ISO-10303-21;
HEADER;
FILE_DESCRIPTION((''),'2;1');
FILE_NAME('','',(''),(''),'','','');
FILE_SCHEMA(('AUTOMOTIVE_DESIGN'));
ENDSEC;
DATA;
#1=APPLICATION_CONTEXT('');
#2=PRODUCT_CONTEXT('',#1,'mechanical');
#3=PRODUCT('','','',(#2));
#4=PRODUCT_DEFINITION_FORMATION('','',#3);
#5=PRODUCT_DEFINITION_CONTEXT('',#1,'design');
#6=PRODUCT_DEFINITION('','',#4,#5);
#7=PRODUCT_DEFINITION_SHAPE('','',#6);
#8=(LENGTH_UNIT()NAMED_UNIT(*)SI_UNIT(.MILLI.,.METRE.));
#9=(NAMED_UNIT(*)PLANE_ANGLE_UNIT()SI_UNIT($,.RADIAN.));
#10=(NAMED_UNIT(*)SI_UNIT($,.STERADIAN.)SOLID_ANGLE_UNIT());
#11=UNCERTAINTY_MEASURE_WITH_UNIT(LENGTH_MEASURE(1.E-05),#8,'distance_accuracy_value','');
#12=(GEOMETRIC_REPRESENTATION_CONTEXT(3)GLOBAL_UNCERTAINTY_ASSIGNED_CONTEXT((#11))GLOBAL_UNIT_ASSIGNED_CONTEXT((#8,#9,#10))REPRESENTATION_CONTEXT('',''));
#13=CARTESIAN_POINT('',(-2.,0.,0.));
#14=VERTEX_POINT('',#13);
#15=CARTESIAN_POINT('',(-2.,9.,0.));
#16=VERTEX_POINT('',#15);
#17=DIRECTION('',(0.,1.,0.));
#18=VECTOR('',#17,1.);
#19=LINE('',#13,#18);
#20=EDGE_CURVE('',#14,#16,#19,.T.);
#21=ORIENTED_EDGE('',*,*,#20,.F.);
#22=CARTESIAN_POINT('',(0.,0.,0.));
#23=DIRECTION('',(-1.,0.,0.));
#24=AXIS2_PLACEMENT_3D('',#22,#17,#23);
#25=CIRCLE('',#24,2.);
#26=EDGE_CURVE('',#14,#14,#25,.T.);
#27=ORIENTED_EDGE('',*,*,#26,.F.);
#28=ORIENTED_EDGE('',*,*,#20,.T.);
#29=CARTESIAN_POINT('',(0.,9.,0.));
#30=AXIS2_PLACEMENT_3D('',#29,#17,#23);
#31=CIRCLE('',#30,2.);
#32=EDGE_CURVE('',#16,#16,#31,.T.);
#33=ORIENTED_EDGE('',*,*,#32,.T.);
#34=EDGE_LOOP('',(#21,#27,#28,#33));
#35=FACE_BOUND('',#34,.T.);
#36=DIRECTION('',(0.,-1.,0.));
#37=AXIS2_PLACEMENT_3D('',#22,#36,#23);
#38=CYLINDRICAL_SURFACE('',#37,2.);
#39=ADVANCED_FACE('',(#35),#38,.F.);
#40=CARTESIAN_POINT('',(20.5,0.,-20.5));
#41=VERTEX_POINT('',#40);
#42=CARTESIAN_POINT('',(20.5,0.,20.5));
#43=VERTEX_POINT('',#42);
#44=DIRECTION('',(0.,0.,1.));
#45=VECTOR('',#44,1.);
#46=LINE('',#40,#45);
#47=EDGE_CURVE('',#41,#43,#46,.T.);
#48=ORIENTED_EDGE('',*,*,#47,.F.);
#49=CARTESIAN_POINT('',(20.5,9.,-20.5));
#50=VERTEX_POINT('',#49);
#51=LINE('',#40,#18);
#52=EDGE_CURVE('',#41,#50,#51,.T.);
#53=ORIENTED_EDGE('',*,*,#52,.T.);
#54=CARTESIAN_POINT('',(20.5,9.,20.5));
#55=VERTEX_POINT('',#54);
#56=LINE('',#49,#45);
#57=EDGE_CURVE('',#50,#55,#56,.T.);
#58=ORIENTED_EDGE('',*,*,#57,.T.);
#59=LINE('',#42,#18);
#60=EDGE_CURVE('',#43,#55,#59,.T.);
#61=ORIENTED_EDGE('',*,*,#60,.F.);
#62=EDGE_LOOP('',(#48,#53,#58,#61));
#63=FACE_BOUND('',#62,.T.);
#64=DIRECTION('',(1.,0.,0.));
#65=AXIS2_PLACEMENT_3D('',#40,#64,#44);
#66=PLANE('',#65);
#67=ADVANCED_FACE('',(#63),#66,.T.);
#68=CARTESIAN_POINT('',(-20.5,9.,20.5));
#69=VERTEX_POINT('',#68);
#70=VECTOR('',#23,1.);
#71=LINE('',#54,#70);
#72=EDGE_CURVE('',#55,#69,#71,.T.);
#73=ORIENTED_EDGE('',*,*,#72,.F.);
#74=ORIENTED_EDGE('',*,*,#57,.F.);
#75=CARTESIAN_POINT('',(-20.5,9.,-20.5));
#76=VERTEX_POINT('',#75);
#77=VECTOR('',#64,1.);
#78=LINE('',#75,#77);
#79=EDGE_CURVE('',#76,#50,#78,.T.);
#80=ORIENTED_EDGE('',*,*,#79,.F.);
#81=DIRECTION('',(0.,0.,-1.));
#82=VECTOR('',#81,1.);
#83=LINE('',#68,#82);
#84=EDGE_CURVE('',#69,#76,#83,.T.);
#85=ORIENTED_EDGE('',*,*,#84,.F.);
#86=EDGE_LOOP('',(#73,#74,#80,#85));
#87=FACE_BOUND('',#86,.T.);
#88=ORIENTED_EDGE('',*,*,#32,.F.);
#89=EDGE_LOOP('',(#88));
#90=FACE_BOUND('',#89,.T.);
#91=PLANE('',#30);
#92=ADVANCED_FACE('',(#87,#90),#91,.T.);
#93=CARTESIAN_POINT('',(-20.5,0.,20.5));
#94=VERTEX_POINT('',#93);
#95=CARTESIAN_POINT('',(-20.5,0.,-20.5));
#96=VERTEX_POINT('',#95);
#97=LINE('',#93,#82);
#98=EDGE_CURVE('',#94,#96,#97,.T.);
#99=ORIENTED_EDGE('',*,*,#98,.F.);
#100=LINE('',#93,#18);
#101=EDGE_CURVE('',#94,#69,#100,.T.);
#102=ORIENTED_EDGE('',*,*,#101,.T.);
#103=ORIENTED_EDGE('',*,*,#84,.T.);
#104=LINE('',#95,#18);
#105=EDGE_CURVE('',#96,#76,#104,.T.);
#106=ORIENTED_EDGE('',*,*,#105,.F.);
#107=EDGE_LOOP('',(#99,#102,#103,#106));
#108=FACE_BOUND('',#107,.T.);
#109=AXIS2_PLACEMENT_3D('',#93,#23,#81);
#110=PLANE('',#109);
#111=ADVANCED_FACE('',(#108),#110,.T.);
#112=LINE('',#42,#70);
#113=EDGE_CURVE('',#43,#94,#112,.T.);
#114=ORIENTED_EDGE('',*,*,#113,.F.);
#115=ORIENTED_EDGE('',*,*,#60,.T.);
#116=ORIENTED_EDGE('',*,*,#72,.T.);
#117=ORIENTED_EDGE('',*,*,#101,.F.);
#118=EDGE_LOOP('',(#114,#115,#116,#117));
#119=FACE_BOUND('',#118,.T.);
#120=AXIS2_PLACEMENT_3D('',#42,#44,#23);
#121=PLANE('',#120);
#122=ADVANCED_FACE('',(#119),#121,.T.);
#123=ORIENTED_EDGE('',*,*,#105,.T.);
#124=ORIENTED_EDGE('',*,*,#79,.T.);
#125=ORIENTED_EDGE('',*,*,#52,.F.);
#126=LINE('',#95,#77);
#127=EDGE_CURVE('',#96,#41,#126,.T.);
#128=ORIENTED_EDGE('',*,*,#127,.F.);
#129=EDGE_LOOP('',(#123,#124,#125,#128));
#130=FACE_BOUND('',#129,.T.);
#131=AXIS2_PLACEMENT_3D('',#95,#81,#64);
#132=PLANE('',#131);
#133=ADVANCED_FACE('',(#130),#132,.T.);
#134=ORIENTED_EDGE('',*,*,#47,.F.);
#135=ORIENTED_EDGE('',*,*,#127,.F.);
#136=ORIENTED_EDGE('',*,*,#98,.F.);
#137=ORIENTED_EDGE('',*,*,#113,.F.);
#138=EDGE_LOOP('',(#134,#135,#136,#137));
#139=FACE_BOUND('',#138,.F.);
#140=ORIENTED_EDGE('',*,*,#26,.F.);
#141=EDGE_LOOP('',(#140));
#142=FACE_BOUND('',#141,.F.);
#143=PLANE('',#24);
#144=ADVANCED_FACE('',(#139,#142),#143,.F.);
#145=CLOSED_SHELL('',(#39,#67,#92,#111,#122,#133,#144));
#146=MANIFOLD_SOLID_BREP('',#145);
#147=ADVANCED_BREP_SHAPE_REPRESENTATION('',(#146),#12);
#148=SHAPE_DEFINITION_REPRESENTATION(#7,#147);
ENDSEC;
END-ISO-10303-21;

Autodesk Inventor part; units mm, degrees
ref_plane "YZ Plane" through (0, 0, 0) normal (1, 0, 0) x (0, 1, 0)
ref_plane "XZ Plane" through (0, 0, 0) normal (0, 1, 0) x (-1, 0, 0)
ref_plane "XY Plane" through (0, 0, 0) normal (0, 0, 1) x (1, 0, 0)
sketch "Sketch1" plane through (0, 0, 0) normal (0, 1, 0) x (-1, 0, 0)
  line L0 (-20.5, 20.5) -> (20.5, 20.5)
  line L1 (20.5, 20.5) -> (20.5, -20.5)
  line L2 (20.5, -20.5) -> (-20.5, -20.5)
  line L3 (-20.5, -20.5) -> (-20.5, 20.5)
  line L4 (-20.5, 20.5) -> (20.5, -20.5) construction
  line L5 (20.5, 20.5) -> (-20.5, -20.5) construction
  circle A0 centre (0, 0) radius 2
  dimension "d0" = 41
  dimension "d1" = 4
extrude "Extrusion1" add sketch "Sketch1" along normal blind 9
properties part number "peltier_41x41x9"
